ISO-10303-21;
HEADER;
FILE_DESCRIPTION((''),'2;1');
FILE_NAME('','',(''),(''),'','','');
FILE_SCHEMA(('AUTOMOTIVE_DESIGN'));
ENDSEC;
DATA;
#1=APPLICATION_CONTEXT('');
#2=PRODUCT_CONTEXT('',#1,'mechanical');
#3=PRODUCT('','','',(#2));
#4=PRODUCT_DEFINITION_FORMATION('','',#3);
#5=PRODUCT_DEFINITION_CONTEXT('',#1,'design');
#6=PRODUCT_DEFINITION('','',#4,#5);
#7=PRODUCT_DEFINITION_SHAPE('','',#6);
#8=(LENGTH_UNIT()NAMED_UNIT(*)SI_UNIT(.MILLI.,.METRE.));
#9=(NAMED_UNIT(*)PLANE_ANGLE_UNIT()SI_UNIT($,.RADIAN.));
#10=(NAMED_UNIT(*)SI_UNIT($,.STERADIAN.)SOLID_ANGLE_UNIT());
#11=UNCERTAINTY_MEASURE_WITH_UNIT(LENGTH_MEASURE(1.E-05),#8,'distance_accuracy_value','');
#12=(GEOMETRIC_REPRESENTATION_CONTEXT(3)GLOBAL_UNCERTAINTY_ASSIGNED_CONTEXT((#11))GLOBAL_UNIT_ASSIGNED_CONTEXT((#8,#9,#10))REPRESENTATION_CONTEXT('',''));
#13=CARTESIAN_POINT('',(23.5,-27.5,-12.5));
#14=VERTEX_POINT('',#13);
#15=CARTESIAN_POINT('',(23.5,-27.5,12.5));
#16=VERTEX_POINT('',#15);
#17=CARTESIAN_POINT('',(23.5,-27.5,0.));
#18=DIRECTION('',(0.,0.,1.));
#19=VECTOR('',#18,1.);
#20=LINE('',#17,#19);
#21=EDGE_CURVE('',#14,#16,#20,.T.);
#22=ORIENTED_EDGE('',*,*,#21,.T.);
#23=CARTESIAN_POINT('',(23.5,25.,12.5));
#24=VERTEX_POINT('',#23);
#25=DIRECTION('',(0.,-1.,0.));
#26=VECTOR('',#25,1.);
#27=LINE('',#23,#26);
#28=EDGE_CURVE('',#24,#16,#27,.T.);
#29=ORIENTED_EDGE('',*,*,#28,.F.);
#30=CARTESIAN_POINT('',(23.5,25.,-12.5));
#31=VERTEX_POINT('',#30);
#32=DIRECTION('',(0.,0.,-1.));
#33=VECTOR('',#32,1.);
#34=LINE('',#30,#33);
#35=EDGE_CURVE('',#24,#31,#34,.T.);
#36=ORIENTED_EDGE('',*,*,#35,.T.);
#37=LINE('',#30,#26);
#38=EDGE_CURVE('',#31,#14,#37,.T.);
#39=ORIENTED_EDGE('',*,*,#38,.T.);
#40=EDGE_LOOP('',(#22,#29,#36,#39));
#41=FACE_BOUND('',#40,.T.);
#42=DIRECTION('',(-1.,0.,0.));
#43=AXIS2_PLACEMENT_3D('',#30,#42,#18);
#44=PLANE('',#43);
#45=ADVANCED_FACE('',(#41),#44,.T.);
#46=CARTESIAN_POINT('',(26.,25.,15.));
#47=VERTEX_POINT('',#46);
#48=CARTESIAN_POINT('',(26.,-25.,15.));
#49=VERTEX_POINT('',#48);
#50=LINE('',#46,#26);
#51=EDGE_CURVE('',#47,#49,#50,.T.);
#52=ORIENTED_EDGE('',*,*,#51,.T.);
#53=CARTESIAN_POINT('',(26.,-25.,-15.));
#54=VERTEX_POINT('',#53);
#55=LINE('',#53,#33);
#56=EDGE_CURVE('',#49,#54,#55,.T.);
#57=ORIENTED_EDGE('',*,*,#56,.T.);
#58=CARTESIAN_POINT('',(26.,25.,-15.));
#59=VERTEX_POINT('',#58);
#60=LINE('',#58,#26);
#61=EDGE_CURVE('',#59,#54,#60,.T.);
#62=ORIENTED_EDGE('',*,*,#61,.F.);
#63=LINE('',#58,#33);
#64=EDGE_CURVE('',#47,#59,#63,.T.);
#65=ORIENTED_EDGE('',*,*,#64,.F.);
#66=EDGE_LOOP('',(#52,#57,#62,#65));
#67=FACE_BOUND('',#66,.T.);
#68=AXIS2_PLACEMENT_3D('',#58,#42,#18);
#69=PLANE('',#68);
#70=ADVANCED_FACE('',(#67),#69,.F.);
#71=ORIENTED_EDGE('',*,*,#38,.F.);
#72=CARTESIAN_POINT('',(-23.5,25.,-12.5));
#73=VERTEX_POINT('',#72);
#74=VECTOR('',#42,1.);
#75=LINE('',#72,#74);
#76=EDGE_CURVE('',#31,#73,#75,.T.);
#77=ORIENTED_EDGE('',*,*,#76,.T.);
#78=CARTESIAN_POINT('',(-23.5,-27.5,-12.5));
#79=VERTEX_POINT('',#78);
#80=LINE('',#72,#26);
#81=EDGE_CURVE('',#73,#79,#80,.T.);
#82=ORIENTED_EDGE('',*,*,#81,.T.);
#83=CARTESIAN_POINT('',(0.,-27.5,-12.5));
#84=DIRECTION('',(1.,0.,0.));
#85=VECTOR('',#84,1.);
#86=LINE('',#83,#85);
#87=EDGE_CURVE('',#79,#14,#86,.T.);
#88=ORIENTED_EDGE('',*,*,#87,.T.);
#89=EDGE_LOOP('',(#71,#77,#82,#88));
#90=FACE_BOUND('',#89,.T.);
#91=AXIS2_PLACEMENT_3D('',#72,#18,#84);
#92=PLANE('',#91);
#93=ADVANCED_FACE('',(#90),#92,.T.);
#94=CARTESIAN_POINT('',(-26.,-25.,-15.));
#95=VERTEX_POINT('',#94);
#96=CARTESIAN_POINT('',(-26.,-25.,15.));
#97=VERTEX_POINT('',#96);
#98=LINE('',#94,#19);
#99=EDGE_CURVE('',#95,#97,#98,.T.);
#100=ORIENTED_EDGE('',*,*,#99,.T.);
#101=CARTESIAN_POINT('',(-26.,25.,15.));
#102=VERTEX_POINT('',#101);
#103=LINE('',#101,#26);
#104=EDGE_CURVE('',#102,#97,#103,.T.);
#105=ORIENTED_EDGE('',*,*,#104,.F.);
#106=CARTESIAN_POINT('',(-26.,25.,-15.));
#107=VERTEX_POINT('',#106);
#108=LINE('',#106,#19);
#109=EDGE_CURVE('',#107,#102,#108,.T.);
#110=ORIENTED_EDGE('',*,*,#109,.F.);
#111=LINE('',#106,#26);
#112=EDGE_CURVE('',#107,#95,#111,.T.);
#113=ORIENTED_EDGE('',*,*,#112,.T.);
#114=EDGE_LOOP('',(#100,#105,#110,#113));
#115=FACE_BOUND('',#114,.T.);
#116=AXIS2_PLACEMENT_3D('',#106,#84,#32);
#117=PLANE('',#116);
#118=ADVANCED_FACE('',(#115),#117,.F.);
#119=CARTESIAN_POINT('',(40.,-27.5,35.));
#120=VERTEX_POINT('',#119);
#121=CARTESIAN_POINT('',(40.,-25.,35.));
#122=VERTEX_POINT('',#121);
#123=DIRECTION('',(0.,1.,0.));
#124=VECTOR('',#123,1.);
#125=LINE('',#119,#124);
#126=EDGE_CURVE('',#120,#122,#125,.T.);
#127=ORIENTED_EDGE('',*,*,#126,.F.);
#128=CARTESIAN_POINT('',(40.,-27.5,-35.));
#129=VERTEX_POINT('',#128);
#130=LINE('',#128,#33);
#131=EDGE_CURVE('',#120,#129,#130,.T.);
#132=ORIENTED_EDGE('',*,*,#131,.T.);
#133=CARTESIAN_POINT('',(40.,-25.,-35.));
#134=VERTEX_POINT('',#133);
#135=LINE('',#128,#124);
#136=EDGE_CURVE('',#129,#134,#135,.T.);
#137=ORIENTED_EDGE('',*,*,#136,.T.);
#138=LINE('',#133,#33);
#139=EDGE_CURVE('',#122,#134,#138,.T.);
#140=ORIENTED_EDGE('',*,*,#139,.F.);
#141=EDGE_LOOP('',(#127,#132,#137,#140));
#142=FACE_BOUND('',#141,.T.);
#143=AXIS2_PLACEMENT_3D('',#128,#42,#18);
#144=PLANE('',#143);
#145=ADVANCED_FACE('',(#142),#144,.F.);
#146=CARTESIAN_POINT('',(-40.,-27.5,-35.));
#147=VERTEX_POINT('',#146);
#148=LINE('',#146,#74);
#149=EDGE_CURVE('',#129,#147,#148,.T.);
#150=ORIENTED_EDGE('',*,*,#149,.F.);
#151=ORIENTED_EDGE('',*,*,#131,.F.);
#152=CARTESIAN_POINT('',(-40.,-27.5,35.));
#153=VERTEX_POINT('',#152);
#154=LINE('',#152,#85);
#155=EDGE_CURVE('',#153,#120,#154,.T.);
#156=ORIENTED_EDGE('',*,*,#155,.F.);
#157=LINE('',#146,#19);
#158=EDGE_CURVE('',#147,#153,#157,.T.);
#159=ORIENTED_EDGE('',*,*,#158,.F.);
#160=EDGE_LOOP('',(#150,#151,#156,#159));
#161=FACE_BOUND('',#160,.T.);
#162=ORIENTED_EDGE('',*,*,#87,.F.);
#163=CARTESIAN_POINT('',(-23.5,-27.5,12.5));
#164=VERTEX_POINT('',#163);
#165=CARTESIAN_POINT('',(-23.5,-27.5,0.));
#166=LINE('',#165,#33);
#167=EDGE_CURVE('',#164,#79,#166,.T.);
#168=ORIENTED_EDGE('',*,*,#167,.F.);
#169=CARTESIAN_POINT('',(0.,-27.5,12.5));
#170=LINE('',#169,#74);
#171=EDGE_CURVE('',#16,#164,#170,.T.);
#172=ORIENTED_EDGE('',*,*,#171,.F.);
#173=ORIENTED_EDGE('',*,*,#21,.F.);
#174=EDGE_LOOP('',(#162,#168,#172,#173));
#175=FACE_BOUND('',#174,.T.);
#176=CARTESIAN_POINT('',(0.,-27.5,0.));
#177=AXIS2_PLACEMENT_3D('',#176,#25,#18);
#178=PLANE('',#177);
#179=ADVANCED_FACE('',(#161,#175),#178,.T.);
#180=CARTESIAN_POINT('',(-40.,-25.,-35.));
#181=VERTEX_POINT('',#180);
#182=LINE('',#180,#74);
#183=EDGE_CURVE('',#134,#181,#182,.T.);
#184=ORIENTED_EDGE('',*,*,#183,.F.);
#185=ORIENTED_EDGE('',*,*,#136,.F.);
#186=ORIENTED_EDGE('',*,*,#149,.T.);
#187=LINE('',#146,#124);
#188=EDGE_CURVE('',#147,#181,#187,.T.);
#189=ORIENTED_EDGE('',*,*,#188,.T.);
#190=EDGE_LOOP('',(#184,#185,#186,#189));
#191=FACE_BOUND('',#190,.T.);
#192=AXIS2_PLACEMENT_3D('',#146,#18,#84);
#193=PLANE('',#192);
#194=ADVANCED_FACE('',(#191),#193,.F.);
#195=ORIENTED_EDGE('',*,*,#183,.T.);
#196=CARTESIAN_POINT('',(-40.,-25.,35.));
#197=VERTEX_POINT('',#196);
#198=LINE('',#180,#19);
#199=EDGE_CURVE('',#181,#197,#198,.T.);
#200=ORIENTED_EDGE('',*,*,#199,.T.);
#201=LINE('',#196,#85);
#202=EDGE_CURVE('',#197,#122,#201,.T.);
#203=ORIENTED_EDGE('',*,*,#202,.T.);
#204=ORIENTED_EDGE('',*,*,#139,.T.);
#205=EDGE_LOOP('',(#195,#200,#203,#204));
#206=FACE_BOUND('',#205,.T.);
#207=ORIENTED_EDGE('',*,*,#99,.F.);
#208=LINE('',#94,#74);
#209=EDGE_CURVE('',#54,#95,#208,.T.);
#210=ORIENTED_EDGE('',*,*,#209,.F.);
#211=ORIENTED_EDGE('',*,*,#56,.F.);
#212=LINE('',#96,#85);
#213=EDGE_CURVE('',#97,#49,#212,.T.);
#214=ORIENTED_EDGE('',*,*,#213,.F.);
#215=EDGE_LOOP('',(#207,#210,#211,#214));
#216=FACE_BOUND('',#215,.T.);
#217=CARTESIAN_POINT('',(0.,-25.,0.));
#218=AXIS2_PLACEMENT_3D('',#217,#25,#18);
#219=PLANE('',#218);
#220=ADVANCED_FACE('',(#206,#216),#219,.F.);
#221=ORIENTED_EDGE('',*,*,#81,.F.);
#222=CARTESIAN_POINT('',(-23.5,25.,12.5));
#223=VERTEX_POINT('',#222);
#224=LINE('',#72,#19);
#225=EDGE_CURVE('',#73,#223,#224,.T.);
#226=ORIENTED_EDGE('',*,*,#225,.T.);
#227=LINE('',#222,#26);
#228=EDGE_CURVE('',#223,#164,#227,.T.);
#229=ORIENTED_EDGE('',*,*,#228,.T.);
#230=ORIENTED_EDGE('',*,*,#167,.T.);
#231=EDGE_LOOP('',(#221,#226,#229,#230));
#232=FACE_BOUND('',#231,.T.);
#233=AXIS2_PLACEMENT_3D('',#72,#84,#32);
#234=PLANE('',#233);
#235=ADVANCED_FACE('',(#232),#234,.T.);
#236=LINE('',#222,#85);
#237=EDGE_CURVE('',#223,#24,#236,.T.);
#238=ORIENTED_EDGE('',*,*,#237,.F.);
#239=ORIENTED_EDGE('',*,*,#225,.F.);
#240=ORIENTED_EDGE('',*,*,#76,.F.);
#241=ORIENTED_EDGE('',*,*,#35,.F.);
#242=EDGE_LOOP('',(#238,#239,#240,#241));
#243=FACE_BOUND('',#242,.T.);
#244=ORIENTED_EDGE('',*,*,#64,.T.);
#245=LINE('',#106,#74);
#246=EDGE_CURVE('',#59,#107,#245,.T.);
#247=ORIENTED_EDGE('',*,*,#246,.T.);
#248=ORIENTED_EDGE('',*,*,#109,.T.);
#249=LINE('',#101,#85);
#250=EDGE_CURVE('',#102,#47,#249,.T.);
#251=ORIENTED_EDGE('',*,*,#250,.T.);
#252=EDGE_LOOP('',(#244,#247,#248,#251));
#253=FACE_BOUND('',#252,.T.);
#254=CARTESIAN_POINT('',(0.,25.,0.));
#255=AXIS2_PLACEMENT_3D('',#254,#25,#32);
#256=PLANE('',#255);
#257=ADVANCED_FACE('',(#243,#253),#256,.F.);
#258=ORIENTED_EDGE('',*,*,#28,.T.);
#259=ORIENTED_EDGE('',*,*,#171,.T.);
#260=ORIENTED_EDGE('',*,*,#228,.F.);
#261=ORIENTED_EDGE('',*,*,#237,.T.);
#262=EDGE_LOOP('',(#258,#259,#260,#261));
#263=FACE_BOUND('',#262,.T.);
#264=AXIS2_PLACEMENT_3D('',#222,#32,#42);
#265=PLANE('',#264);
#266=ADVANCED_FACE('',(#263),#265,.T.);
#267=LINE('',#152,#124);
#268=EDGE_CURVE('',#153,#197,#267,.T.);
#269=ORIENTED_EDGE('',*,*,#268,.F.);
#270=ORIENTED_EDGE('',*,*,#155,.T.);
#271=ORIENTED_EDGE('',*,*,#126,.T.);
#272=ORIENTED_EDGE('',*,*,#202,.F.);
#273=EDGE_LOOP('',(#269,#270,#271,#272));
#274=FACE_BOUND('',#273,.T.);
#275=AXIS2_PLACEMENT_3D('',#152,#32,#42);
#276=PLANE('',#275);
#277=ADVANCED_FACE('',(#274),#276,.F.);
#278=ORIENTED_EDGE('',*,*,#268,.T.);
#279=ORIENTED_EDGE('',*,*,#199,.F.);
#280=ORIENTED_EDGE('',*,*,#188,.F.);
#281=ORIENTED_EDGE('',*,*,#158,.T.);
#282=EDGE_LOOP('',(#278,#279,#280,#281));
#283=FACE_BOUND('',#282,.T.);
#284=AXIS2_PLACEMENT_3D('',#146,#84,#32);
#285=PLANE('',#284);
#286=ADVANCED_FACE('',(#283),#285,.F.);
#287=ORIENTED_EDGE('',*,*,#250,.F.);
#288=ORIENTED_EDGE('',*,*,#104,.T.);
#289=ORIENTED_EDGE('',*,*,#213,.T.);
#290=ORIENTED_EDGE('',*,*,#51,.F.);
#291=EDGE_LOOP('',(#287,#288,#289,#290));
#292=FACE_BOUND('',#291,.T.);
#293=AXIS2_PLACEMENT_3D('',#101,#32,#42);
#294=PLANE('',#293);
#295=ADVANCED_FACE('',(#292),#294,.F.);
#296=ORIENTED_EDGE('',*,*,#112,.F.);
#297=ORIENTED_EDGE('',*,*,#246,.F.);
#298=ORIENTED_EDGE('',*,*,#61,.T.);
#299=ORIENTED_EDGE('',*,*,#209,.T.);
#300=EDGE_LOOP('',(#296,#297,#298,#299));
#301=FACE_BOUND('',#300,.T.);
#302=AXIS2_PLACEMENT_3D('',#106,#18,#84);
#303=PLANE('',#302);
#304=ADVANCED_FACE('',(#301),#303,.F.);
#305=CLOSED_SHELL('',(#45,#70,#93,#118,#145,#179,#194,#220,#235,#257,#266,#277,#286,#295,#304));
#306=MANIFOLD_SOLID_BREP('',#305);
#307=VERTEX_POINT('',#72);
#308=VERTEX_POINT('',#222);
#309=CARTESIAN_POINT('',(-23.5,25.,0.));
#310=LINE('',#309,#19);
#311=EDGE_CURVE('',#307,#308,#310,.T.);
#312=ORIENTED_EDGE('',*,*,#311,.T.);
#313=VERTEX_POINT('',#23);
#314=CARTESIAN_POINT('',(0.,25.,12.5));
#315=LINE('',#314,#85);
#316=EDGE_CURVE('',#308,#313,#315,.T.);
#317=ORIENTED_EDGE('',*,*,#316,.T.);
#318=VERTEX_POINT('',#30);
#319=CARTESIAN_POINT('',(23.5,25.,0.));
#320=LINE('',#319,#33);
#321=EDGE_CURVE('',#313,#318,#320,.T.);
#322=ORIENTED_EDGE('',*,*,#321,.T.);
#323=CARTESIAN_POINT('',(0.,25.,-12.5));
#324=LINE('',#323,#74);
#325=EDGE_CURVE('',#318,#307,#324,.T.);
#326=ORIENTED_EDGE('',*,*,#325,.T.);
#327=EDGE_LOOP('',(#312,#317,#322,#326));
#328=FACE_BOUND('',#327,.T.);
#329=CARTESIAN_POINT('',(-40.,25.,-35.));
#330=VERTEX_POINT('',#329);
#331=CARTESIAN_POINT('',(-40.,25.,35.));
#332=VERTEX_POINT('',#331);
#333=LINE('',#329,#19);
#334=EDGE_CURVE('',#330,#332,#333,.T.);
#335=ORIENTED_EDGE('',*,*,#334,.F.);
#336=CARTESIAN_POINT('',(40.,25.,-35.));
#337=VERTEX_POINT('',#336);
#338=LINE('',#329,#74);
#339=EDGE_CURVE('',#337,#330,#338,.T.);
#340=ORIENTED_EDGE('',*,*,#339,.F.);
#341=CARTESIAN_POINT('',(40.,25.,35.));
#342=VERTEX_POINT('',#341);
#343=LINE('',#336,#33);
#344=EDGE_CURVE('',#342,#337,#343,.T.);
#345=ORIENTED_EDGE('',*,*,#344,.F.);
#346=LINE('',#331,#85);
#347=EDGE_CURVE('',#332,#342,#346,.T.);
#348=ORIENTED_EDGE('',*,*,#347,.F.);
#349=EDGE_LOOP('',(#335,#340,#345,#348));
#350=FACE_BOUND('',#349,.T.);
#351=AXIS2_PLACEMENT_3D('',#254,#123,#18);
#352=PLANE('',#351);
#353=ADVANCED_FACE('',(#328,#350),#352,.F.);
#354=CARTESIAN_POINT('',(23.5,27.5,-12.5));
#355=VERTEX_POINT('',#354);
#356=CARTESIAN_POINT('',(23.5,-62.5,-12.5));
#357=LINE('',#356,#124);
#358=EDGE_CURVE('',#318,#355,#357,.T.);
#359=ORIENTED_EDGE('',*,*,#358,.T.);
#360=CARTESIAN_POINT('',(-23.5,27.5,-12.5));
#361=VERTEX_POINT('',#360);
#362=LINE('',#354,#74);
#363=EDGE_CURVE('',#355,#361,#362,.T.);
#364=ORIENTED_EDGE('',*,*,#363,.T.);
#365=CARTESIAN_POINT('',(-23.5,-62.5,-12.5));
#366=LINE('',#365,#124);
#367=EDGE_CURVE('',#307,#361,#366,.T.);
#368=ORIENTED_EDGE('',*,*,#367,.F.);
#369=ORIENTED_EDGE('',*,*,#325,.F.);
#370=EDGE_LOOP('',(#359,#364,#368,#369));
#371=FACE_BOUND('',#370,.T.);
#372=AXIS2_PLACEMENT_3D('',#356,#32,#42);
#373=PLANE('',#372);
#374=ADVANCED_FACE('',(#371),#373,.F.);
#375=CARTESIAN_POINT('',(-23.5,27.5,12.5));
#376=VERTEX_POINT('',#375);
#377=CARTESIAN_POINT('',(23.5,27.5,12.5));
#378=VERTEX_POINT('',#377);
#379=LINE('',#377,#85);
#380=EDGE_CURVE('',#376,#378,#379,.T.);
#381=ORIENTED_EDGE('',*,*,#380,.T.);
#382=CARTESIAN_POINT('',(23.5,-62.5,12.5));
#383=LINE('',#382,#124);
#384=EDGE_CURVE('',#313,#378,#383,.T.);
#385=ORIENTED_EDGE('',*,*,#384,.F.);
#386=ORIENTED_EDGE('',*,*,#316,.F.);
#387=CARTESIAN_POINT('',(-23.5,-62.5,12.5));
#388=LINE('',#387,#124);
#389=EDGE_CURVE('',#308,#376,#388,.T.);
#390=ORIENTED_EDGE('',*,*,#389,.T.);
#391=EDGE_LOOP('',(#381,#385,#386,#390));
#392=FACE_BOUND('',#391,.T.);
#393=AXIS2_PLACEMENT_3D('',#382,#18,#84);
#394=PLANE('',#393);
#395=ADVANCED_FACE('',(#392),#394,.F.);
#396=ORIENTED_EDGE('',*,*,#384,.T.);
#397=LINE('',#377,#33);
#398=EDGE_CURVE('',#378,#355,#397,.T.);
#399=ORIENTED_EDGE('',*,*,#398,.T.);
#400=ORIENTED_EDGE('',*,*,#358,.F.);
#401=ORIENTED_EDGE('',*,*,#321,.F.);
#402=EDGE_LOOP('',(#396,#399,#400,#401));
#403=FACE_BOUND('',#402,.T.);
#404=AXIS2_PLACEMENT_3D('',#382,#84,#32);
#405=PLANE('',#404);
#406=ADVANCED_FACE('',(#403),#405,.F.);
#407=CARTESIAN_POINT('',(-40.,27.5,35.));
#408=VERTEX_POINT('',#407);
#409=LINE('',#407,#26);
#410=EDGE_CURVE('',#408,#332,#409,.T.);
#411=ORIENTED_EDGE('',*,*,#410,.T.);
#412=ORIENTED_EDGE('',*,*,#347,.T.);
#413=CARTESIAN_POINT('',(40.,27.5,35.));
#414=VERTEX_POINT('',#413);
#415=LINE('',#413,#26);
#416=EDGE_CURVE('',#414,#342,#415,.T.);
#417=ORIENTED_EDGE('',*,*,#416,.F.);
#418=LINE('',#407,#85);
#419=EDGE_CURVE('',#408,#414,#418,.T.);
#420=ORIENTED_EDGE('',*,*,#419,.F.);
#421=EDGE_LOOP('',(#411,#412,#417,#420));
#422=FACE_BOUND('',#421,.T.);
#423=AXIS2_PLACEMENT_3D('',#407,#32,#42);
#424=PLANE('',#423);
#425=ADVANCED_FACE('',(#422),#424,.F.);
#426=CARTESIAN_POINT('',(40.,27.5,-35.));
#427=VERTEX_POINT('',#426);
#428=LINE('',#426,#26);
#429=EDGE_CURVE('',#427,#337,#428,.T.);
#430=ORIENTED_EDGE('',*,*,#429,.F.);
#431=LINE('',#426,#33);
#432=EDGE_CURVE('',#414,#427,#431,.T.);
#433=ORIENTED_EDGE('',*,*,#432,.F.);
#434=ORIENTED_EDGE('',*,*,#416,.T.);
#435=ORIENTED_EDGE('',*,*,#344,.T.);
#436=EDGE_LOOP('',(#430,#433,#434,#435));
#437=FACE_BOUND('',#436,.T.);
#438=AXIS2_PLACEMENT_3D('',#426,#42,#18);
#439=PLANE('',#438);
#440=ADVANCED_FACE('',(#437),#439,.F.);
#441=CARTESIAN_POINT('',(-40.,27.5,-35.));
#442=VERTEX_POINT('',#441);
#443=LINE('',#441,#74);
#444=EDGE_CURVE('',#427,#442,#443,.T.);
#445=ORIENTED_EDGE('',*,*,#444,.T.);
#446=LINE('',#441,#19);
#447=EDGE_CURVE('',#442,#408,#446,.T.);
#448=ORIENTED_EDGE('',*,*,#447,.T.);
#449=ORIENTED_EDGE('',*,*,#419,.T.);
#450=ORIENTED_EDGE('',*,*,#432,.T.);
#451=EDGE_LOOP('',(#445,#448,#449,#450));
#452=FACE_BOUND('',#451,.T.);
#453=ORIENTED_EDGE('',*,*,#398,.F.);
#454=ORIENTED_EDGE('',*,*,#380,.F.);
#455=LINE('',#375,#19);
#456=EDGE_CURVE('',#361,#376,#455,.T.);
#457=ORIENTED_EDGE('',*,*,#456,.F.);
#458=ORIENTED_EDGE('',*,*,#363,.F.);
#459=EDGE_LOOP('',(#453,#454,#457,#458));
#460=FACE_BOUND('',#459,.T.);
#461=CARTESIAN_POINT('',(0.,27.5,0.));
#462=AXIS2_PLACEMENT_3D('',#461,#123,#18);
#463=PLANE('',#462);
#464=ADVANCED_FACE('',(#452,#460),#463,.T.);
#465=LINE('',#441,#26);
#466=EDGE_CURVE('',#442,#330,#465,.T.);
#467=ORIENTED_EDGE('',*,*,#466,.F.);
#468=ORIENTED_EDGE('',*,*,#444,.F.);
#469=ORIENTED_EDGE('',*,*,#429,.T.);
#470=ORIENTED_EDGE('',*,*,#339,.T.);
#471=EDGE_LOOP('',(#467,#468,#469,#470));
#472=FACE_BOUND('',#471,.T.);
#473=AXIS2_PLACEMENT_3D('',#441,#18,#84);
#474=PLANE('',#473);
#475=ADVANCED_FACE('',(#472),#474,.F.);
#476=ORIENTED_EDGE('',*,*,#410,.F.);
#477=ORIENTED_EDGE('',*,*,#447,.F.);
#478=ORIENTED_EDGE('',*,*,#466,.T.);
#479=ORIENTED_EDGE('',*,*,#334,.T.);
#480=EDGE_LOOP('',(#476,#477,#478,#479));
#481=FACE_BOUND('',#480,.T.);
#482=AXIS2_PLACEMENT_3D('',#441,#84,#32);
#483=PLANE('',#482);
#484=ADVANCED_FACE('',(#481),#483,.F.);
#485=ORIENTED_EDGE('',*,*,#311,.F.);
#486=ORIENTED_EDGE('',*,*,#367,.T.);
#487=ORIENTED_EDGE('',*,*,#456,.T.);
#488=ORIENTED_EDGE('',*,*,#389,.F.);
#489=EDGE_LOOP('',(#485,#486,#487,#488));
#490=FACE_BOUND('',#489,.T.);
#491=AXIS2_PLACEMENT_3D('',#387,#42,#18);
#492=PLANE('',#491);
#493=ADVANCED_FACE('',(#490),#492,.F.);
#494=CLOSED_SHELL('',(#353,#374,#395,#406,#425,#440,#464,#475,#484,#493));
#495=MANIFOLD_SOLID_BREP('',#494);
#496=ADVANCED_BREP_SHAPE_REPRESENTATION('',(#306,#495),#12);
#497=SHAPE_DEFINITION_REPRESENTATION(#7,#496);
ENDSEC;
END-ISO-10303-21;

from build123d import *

# Parameters (mm, degrees)
SKETCH1_W           = 52
SKETCH1_H           = 30
SKETCH1_W_2         = 47
SKETCH1_H_2         = 25
BOSS_EXTRUDE1_DEPTH = 25
SKETCH2_W           = 80
SKETCH2_H           = 70
BOSS_EXTRUDE2_DEPTH = 2.5
SKETCH3_W           = 47
SKETCH3_H           = 25
CUT_EXTRUDE2_DEPTH  = 90


with BuildPart() as part:
    # Sketch1 → Boss-Extrude1 (new, symmetric)
    with BuildSketch(Plane(origin=(0, 0, 0), x_dir=(1, 0, 0), z_dir=(0, 1, 0))):
        Rectangle(SKETCH1_W, SKETCH1_H)
        Rectangle(SKETCH1_W_2, SKETCH1_H_2, mode=Mode.SUBTRACT)
    extrude(amount=BOSS_EXTRUDE1_DEPTH, both=True)


with BuildPart() as body_2:
    # Sketch2 → Boss-Extrude2 (new body)
    with BuildSketch(Plane(origin=(0, 25, 0), x_dir=(1, 0, 0), z_dir=(0, 1, 0))):
        Rectangle(SKETCH2_W, SKETCH2_H)
    boss_extrude2 = extrude(amount=BOSS_EXTRUDE2_DEPTH)


with BuildPart() as part_1:
    add(part.part)

    # Mirror2: Boss-Extrude2 across plane
    add(boss_extrude2.mirror(Plane.ZX))


with BuildPart() as cut_extrude2_tool:
    # Sketch3 → Cut-Extrude2 (new body)
    with BuildSketch(Plane(origin=(0, 27.5, 0), x_dir=(1, 0, 0), z_dir=(0, 1, 0))):
        Rectangle(SKETCH3_W, SKETCH3_H)
    extrude(amount=-CUT_EXTRUDE2_DEPTH)


with BuildPart() as part_2:
    add(part_1.part)

    # Cut-Extrude2: cut by cut_extrude2_tool
    add(cut_extrude2_tool.part, mode=Mode.SUBTRACT)


with BuildPart() as body_2_1:
    add(body_2.part)

    # Cut-Extrude2: cut by cut_extrude2_tool
    add(cut_extrude2_tool.part, mode=Mode.SUBTRACT)


solid = Compound([part_2.part, body_2_1.part])
